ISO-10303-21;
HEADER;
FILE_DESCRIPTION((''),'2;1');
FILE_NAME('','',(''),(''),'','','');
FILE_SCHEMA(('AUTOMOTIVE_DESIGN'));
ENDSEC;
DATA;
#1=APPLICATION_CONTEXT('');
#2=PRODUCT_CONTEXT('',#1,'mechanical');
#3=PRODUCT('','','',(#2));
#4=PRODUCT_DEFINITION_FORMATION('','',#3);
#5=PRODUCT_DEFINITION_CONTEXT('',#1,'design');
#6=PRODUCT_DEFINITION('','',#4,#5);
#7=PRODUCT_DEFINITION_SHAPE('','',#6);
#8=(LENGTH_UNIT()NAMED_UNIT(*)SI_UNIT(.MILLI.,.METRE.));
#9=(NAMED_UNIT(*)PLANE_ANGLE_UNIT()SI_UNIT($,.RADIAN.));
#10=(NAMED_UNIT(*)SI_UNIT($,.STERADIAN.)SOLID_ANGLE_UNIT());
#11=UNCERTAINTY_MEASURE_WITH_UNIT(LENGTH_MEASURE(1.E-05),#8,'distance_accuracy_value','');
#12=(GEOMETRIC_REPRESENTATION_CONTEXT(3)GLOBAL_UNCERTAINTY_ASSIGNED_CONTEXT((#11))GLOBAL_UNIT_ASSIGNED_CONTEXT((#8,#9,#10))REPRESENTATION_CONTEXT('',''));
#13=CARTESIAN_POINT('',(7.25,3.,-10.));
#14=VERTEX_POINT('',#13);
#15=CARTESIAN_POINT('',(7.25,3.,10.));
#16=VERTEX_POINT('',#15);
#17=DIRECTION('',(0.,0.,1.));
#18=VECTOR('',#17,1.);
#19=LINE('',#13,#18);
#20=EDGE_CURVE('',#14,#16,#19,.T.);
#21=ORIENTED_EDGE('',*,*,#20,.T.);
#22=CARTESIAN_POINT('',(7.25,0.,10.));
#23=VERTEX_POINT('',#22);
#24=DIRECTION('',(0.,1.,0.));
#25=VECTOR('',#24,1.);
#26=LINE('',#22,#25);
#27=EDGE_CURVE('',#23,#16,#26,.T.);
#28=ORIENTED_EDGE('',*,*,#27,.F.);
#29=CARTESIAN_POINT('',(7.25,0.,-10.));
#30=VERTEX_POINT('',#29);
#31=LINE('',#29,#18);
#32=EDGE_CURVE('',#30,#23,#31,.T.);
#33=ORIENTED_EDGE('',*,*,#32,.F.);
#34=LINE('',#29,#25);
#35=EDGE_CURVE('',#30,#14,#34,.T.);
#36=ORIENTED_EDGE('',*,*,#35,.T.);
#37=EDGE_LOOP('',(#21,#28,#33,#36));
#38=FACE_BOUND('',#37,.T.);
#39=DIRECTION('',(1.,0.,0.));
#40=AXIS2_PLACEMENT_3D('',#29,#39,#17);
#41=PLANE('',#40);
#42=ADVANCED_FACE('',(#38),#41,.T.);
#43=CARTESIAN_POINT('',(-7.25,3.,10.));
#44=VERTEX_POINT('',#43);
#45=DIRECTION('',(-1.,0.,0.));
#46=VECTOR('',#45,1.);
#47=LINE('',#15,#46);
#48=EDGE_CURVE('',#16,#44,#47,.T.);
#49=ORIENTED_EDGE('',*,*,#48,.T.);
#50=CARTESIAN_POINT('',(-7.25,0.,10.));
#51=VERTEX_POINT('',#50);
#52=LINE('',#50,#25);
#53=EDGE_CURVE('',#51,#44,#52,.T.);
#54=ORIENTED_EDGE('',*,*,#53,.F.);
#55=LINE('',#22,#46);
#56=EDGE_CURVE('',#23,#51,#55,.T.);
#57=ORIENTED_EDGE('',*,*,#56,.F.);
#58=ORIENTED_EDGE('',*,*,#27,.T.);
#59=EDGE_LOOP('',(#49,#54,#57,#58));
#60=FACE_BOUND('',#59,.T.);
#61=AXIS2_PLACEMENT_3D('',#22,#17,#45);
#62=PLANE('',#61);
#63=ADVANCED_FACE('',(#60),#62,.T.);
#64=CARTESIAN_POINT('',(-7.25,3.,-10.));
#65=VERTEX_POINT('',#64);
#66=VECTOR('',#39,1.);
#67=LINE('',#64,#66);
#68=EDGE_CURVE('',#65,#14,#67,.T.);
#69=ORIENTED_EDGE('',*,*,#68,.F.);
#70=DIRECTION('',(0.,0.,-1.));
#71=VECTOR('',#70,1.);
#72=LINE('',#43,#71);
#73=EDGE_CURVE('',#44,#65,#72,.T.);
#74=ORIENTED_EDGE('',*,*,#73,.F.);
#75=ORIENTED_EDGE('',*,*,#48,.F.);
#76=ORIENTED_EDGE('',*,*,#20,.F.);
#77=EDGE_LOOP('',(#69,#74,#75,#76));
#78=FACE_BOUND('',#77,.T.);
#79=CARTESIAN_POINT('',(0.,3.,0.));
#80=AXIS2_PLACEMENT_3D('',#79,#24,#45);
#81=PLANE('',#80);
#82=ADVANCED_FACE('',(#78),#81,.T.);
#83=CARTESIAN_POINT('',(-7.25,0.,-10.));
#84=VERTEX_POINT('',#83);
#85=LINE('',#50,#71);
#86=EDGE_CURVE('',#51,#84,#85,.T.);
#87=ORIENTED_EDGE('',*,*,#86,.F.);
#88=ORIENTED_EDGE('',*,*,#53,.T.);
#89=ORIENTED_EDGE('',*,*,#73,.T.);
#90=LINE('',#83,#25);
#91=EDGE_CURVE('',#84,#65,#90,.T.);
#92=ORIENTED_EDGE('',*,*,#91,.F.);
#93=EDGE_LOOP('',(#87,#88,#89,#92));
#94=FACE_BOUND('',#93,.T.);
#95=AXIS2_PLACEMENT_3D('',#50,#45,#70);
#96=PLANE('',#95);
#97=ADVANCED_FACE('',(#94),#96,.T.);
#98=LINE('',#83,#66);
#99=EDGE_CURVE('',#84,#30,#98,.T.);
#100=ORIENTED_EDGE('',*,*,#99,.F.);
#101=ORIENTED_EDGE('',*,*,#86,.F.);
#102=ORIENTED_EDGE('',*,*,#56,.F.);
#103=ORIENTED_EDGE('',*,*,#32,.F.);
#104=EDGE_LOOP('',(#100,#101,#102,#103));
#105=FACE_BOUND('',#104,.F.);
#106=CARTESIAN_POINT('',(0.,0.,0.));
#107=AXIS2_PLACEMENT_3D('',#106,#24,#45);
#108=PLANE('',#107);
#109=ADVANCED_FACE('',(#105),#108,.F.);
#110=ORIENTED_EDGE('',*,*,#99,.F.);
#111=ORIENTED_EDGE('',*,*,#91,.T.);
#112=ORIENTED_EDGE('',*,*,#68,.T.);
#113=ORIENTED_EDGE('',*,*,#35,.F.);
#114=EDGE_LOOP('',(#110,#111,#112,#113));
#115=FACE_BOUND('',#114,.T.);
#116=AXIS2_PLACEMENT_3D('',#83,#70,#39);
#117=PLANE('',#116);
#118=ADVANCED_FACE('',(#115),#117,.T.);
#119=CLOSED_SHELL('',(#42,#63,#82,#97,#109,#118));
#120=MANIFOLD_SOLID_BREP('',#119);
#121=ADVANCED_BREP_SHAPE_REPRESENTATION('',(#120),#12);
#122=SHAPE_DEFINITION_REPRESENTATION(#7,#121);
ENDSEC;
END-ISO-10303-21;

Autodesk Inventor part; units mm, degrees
ref_plane "YZ Plane" through (0, 0, 0) normal (1, 0, 0) x (0, 1, 0)
ref_plane "XZ Plane" through (0, 0, 0) normal (0, 1, 0) x (-1, 0, 0)
ref_plane "XY Plane" through (0, 0, 0) normal (0, 0, 1) x (1, 0, 0)
sketch "Sketch1" plane through (0, 0, 0) normal (0, 1, 0) x (-1, 0, 0)
  line L0 (-7.25, 10) -> (7.25, 10)
  line L1 (7.25, 10) -> (7.25, -10)
  line L2 (7.25, -10) -> (-7.25, -10)
  line L3 (-7.25, -10) -> (-7.25, 10)
  line L4 (-7.25, 10) -> (7.25, -10) construction
  line L5 (7.25, 10) -> (-7.25, -10) construction
  point P0 (0, 0)
  dimension "d0" = 14.5
  dimension "d1" = 20
extrude "Extrusion1" add sketch "Sketch1" along normal blind 3
properties part number "Radio" material "Radio"
